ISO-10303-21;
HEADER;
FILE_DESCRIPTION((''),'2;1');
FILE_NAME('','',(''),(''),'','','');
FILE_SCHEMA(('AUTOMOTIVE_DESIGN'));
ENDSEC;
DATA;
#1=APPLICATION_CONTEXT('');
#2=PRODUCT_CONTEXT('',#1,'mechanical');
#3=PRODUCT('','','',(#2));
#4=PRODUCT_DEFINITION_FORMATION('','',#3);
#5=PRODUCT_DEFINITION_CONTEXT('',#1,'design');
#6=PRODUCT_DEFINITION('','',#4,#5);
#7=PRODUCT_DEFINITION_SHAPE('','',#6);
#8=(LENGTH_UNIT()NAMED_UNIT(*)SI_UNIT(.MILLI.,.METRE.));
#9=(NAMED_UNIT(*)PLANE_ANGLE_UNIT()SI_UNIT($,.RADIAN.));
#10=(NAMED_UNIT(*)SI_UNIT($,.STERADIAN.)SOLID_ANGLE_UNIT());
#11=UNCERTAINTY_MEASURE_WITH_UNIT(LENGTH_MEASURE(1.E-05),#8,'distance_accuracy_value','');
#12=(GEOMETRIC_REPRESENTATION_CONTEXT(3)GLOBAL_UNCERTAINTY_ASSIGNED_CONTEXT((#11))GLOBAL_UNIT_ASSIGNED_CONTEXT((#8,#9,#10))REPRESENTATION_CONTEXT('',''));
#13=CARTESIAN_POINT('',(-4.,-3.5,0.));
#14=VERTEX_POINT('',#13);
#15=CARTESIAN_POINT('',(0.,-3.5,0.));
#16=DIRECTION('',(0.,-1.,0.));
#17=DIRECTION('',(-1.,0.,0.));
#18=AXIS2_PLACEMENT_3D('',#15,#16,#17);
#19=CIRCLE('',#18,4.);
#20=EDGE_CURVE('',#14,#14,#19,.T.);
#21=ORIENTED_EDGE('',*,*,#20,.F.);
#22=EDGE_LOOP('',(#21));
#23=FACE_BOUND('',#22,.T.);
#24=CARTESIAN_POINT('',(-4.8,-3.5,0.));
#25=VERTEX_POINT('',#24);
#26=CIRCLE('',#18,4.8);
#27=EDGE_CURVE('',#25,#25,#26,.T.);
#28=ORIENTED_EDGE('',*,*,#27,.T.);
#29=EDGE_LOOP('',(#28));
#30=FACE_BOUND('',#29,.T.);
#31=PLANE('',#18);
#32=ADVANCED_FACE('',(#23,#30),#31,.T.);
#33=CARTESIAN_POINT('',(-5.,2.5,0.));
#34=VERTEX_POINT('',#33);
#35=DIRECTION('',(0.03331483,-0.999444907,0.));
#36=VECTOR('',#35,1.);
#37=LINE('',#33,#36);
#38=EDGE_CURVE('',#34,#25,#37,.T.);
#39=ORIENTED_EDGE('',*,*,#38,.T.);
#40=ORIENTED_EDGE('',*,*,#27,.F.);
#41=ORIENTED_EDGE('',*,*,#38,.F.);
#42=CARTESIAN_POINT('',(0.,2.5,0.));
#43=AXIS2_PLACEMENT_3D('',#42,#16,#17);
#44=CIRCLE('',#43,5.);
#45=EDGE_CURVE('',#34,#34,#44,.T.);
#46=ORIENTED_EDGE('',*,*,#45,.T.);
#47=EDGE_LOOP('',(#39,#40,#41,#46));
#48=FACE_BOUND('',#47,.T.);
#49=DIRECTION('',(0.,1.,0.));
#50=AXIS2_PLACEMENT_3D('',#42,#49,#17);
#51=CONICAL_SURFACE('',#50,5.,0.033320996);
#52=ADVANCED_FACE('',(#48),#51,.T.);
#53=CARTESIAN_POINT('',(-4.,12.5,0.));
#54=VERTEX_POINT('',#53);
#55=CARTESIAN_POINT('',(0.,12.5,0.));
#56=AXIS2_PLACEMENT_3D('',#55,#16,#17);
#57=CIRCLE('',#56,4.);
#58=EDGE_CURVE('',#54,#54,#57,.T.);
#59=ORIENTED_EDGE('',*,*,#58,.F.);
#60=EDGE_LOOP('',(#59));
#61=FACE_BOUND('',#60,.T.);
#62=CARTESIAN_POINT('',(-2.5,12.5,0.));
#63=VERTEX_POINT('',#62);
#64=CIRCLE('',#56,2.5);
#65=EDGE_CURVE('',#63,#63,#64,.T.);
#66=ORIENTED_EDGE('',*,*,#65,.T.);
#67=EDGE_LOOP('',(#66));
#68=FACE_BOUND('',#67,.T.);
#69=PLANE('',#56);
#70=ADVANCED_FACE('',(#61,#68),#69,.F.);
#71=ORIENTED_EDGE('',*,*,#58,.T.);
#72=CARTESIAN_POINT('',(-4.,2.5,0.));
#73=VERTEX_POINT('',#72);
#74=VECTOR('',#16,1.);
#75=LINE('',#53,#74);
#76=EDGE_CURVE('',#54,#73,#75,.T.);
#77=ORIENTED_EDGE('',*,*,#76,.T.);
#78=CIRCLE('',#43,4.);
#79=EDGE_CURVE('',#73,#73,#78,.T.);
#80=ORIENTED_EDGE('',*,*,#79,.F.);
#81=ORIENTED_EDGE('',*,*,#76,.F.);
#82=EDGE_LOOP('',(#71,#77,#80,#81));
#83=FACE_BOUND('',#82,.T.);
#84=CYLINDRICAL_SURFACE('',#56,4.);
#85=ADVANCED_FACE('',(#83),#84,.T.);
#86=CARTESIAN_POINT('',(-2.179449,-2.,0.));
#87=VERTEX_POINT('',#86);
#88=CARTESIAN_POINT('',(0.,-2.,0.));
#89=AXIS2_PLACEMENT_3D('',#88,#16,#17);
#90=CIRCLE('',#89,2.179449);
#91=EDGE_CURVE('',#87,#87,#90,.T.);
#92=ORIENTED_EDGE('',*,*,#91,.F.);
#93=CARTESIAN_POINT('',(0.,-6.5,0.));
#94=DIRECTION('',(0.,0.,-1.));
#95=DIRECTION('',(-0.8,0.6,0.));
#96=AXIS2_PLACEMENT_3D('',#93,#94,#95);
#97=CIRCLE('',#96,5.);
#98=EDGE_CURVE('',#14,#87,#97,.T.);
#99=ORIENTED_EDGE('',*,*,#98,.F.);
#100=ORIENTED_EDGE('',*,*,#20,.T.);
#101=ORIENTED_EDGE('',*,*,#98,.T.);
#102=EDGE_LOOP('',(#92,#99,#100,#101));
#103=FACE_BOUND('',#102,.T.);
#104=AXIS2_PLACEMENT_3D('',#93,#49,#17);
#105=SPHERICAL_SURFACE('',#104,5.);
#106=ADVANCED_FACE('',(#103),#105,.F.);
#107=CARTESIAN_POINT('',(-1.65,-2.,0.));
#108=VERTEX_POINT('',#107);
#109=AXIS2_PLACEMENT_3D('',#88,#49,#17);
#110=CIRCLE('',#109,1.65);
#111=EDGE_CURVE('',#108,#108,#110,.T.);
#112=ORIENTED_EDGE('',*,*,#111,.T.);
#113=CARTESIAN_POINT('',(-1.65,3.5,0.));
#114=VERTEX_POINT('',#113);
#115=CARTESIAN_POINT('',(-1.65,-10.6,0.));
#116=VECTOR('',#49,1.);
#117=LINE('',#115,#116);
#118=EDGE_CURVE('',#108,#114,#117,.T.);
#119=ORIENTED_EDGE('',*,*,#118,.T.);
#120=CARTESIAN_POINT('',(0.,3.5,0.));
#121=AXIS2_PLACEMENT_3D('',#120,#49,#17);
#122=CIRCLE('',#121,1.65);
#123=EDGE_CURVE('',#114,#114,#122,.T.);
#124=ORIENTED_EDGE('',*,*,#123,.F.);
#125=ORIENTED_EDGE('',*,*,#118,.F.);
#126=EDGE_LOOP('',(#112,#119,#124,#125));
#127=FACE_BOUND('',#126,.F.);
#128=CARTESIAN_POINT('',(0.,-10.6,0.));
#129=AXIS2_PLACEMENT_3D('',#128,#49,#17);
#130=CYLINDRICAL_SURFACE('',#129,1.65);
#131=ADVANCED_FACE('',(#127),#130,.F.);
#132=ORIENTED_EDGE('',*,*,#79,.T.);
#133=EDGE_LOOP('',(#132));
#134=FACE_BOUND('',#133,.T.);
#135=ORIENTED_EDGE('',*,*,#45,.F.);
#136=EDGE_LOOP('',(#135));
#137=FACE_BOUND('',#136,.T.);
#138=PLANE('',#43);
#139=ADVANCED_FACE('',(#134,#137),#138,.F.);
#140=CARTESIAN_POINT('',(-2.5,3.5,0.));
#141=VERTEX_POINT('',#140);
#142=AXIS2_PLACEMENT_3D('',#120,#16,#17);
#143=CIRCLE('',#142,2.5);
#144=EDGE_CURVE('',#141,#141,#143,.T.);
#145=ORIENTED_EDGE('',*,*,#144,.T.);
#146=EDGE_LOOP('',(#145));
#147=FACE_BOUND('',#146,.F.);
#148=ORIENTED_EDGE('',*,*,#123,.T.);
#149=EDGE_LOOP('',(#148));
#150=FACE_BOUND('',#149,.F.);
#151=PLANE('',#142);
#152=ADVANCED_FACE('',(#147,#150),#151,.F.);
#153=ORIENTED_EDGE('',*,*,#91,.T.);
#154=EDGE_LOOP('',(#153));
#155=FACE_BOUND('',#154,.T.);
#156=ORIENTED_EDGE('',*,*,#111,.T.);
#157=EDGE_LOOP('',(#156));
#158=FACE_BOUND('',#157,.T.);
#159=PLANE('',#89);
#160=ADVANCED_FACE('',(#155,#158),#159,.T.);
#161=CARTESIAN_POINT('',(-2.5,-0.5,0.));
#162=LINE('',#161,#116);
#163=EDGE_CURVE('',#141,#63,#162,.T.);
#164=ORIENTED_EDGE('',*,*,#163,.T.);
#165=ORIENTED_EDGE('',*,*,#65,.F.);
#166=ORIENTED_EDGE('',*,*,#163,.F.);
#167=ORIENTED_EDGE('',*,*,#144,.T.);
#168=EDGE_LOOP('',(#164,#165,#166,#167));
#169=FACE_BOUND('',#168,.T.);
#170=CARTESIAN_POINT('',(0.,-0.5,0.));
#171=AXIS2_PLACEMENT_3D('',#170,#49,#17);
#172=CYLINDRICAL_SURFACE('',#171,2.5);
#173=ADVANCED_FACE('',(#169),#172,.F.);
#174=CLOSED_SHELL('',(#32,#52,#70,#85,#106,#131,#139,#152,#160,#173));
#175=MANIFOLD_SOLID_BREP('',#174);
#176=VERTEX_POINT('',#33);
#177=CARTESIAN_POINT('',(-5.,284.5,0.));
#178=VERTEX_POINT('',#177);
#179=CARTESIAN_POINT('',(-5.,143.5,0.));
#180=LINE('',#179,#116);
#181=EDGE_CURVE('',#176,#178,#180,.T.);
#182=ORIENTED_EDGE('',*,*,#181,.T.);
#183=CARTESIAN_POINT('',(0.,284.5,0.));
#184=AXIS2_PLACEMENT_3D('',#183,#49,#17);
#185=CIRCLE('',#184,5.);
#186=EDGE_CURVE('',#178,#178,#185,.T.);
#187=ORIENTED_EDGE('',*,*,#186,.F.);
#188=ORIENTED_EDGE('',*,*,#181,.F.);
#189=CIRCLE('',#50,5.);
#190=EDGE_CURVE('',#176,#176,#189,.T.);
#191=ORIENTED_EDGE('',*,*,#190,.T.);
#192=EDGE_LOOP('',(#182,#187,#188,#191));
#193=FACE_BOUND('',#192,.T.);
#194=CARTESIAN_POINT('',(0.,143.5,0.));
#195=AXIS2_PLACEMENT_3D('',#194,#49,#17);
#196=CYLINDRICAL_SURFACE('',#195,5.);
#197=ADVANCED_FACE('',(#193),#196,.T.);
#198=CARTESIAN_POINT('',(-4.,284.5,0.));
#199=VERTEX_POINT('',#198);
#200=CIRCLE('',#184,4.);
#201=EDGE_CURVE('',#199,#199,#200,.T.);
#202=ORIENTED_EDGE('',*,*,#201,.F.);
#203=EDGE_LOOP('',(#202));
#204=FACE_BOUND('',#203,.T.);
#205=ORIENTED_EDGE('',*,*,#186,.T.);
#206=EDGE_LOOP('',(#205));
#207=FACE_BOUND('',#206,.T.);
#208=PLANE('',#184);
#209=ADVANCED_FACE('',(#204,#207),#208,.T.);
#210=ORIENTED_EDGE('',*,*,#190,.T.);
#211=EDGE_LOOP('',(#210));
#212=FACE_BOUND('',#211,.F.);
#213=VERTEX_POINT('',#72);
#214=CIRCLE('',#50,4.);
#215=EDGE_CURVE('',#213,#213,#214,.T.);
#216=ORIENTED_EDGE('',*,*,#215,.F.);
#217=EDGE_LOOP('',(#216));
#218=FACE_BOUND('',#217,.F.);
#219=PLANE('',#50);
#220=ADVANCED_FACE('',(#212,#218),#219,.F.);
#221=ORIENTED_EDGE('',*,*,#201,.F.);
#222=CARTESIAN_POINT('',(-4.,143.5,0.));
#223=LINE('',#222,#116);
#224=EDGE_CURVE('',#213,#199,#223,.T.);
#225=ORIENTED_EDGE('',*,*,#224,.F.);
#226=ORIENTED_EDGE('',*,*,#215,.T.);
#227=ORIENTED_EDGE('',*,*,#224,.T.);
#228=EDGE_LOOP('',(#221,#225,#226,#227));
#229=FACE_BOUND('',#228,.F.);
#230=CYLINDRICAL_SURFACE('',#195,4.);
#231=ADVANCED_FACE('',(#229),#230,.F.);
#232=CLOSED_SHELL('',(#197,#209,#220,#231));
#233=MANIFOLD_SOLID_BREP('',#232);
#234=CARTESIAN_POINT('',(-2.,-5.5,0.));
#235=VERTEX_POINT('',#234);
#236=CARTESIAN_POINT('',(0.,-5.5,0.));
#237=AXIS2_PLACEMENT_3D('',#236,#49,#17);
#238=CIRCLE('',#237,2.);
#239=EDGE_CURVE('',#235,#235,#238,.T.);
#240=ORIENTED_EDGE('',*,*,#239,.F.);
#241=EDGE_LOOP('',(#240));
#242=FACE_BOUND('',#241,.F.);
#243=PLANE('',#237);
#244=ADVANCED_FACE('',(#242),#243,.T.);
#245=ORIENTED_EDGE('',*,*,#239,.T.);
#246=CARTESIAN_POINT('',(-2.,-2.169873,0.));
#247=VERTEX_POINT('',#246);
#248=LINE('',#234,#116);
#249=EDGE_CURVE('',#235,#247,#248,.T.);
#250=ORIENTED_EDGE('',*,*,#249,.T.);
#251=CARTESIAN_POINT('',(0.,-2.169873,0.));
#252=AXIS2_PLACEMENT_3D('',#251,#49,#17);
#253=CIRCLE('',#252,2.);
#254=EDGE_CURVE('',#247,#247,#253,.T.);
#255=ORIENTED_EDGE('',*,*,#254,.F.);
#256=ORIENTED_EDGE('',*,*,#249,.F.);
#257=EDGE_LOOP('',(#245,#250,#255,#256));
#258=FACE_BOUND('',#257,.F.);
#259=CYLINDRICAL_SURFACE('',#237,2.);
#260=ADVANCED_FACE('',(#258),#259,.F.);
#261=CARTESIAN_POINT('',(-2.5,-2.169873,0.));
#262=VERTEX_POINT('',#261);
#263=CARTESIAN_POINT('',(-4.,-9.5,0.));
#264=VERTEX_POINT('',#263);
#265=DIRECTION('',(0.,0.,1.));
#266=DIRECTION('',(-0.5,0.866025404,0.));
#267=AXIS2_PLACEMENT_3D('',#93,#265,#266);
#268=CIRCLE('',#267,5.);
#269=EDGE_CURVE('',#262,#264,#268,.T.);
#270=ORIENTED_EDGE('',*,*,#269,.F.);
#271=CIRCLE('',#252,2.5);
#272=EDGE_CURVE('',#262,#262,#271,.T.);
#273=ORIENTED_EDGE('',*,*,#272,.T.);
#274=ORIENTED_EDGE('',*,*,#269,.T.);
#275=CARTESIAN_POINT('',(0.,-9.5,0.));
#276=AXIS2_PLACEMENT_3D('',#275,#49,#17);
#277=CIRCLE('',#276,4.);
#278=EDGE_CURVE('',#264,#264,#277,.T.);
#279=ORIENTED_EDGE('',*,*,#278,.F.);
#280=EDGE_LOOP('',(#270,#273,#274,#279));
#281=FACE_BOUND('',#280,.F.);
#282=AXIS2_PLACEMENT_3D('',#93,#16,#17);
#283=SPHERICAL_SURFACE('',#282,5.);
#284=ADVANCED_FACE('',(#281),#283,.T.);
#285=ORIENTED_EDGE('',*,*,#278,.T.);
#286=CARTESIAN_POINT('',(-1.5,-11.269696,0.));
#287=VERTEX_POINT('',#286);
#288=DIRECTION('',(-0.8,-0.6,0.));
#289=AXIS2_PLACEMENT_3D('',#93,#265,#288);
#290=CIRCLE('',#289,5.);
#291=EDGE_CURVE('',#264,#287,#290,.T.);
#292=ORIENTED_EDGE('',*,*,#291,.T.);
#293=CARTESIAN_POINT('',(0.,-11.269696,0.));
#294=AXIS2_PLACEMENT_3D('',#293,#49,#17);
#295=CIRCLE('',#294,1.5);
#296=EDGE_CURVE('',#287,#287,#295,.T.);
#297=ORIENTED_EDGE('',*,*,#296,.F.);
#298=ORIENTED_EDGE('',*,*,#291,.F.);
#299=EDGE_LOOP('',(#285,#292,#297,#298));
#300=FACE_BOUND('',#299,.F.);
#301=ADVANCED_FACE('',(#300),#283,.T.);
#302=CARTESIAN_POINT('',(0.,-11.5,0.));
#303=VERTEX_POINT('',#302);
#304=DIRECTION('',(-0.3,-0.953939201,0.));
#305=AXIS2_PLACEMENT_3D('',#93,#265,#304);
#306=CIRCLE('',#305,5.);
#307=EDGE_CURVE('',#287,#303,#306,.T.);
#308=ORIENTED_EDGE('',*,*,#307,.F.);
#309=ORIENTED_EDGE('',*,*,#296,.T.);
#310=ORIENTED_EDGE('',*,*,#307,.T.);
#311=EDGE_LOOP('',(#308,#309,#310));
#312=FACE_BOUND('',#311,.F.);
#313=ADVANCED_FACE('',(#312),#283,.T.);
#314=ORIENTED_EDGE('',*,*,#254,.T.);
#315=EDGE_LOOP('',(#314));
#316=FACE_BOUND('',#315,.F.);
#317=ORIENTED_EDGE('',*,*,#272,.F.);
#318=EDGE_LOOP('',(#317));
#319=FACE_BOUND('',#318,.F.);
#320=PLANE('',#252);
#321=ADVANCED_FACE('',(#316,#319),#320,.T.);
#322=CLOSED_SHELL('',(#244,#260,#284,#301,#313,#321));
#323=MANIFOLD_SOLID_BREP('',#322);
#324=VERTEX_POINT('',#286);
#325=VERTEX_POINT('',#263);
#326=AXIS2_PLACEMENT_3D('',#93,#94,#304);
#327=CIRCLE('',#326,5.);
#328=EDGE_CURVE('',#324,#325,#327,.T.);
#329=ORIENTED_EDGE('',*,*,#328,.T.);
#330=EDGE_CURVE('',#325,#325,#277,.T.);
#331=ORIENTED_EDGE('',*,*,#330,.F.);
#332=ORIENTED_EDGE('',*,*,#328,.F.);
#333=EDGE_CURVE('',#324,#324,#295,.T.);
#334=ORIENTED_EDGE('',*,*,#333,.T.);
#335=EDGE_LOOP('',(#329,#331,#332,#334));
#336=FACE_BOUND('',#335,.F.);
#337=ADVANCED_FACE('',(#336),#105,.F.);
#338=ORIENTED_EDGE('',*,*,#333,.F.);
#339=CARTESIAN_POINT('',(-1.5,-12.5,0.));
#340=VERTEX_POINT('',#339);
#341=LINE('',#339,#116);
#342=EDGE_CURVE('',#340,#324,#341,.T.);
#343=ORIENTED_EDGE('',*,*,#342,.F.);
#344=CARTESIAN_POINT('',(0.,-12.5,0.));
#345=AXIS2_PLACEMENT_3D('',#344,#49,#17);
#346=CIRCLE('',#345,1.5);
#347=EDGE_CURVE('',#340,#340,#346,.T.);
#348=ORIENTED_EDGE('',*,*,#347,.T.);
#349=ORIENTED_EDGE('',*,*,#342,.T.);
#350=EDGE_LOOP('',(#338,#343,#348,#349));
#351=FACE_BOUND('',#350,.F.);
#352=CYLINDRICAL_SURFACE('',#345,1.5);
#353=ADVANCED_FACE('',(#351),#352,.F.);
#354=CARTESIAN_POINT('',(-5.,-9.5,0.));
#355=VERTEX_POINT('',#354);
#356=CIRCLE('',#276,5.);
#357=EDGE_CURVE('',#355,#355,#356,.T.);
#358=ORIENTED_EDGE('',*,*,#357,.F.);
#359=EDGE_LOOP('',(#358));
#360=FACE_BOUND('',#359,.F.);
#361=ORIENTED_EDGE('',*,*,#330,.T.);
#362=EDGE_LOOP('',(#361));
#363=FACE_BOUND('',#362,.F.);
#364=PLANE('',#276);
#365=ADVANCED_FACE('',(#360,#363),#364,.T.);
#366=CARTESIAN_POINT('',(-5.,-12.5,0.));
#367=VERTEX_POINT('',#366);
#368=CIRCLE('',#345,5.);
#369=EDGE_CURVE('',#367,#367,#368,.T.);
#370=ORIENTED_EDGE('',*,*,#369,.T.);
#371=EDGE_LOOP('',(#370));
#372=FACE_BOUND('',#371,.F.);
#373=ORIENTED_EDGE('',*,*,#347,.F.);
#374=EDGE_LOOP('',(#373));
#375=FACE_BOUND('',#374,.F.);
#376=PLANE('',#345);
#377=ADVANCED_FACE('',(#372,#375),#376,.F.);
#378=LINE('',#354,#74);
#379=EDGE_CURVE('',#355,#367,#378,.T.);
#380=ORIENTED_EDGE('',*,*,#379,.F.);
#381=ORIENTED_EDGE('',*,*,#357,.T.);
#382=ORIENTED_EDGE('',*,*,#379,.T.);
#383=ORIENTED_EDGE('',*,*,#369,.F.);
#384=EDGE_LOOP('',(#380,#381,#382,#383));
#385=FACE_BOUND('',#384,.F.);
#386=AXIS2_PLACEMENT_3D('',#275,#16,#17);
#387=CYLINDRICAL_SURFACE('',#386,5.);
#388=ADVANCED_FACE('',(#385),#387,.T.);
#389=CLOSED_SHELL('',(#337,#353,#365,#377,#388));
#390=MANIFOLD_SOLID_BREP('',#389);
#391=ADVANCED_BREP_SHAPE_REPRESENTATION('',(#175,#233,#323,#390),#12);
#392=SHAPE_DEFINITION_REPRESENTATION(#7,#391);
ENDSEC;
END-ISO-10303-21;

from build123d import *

# Parameters (mm, degrees)
F1_W     = 1
F1_H     = 282
F5_W     = 2.5
F5_H     = 4
F8_D     = 3.3
F8_DEPTH = 8.6
F8_TIP   = 0.9914200214


with BuildPart() as f2:
    # F1 (on Top) → F2 (revolve)
    with BuildSketch(Plane.XY):
        with Locations((-4.5, 143.5)):
            Rectangle(F1_W, F1_H)
    revolve(axis=Axis((0, -9, 0), (0, 1, 0)))


with BuildPart() as f3:
    # F0 (on Top) → F3 (revolve)
    with BuildSketch(Plane.XY):
        with BuildLine():
            Line((-1.5, -12.5), (-1.5, -11.2696960071))
            ThreePointArc((-1.5, -11.2696960071), (-2.8888502885, -10.5809979185), (-4, -9.5))
            Line((-4, -9.5), (-5, -9.5))
            Line((-5, -9.5), (-5, -12.5))
            Line((-5, -12.5), (-1.5, -12.5))
        make_face()
    revolve(axis=Axis((0, -9, 0), (0, 1, 0)))


with BuildPart() as f4:
    # F0 (on Top) → F4 (revolve)
    with BuildSketch(Plane.XY):
        with BuildLine():
            ThreePointArc((-1.5, -11.2696960071), (-0.7587884964, -11.4420886291), (0, -11.5))
            Line((0, -11.5), (0, -6.5))
            Line((0, -6.5), (0, -5.5))
            Line((0, -5.5), (-2, -5.5))
            Line((-2, -5.5), (-2, -2.1698729811))
            Line((-2, -2.1698729811), (-2.5, -2.1698729811))
            ThreePointArc((-2.5, -2.1698729811), (-4.8984885963, -5.4975981486), (-4, -9.5))
            ThreePointArc((-4, -9.5), (-2.8888502885, -10.5809979185), (-1.5, -11.2696960071))
        make_face()
    revolve(axis=Axis((0, -6, 0), (0, 1, 0)))


with BuildPart() as f6:
    # F5 (on Top) → F6 (revolve)
    with BuildSketch(Plane.XY):
        with BuildLine():
            Line((-4.8, -3.5), (-4, -3.5))
            ThreePointArc((-4, -3.5), (-3.1794494718, -2.6411010565), (-2.1794494718, -2))
            Line((-2.1794494718, -2), (0, -2))
            Line((0, -2), (0, -0.5))
            Line((0, -0.5), (-2.5, -0.5))
            Line((-2.5, -0.5), (-2.5, 3.5))
            Line((-2.5, 3.5), (-2.5, 12.5))
            Line((-2.5, 12.5), (-4, 12.5))
            Line((-4, 12.5), (-4, 2.5))
            Line((-4, 2.5), (-5, 2.5))
            Line((-5, 2.5), (-4.8, -3.5))
        make_face()
        with Locations((-1.25, 1.5)):
            Rectangle(F5_W, F5_H)
    revolve(axis=Axis((0, -1.25, 0), (0, -1, 0)))

    # F8
    with Locations(Plane.XZ.offset(2)):
        with Locations((0, 0)):
            Hole(F8_D / 2, depth=F8_DEPTH)
            with Locations((0, 0, -(F8_DEPTH + F8_TIP / 2))):  # 118° drill point
                Cone(0, F8_D / 2, F8_TIP, mode=Mode.SUBTRACT)


solid = Compound([f2.part, f3.part, f4.part, f6.part])
